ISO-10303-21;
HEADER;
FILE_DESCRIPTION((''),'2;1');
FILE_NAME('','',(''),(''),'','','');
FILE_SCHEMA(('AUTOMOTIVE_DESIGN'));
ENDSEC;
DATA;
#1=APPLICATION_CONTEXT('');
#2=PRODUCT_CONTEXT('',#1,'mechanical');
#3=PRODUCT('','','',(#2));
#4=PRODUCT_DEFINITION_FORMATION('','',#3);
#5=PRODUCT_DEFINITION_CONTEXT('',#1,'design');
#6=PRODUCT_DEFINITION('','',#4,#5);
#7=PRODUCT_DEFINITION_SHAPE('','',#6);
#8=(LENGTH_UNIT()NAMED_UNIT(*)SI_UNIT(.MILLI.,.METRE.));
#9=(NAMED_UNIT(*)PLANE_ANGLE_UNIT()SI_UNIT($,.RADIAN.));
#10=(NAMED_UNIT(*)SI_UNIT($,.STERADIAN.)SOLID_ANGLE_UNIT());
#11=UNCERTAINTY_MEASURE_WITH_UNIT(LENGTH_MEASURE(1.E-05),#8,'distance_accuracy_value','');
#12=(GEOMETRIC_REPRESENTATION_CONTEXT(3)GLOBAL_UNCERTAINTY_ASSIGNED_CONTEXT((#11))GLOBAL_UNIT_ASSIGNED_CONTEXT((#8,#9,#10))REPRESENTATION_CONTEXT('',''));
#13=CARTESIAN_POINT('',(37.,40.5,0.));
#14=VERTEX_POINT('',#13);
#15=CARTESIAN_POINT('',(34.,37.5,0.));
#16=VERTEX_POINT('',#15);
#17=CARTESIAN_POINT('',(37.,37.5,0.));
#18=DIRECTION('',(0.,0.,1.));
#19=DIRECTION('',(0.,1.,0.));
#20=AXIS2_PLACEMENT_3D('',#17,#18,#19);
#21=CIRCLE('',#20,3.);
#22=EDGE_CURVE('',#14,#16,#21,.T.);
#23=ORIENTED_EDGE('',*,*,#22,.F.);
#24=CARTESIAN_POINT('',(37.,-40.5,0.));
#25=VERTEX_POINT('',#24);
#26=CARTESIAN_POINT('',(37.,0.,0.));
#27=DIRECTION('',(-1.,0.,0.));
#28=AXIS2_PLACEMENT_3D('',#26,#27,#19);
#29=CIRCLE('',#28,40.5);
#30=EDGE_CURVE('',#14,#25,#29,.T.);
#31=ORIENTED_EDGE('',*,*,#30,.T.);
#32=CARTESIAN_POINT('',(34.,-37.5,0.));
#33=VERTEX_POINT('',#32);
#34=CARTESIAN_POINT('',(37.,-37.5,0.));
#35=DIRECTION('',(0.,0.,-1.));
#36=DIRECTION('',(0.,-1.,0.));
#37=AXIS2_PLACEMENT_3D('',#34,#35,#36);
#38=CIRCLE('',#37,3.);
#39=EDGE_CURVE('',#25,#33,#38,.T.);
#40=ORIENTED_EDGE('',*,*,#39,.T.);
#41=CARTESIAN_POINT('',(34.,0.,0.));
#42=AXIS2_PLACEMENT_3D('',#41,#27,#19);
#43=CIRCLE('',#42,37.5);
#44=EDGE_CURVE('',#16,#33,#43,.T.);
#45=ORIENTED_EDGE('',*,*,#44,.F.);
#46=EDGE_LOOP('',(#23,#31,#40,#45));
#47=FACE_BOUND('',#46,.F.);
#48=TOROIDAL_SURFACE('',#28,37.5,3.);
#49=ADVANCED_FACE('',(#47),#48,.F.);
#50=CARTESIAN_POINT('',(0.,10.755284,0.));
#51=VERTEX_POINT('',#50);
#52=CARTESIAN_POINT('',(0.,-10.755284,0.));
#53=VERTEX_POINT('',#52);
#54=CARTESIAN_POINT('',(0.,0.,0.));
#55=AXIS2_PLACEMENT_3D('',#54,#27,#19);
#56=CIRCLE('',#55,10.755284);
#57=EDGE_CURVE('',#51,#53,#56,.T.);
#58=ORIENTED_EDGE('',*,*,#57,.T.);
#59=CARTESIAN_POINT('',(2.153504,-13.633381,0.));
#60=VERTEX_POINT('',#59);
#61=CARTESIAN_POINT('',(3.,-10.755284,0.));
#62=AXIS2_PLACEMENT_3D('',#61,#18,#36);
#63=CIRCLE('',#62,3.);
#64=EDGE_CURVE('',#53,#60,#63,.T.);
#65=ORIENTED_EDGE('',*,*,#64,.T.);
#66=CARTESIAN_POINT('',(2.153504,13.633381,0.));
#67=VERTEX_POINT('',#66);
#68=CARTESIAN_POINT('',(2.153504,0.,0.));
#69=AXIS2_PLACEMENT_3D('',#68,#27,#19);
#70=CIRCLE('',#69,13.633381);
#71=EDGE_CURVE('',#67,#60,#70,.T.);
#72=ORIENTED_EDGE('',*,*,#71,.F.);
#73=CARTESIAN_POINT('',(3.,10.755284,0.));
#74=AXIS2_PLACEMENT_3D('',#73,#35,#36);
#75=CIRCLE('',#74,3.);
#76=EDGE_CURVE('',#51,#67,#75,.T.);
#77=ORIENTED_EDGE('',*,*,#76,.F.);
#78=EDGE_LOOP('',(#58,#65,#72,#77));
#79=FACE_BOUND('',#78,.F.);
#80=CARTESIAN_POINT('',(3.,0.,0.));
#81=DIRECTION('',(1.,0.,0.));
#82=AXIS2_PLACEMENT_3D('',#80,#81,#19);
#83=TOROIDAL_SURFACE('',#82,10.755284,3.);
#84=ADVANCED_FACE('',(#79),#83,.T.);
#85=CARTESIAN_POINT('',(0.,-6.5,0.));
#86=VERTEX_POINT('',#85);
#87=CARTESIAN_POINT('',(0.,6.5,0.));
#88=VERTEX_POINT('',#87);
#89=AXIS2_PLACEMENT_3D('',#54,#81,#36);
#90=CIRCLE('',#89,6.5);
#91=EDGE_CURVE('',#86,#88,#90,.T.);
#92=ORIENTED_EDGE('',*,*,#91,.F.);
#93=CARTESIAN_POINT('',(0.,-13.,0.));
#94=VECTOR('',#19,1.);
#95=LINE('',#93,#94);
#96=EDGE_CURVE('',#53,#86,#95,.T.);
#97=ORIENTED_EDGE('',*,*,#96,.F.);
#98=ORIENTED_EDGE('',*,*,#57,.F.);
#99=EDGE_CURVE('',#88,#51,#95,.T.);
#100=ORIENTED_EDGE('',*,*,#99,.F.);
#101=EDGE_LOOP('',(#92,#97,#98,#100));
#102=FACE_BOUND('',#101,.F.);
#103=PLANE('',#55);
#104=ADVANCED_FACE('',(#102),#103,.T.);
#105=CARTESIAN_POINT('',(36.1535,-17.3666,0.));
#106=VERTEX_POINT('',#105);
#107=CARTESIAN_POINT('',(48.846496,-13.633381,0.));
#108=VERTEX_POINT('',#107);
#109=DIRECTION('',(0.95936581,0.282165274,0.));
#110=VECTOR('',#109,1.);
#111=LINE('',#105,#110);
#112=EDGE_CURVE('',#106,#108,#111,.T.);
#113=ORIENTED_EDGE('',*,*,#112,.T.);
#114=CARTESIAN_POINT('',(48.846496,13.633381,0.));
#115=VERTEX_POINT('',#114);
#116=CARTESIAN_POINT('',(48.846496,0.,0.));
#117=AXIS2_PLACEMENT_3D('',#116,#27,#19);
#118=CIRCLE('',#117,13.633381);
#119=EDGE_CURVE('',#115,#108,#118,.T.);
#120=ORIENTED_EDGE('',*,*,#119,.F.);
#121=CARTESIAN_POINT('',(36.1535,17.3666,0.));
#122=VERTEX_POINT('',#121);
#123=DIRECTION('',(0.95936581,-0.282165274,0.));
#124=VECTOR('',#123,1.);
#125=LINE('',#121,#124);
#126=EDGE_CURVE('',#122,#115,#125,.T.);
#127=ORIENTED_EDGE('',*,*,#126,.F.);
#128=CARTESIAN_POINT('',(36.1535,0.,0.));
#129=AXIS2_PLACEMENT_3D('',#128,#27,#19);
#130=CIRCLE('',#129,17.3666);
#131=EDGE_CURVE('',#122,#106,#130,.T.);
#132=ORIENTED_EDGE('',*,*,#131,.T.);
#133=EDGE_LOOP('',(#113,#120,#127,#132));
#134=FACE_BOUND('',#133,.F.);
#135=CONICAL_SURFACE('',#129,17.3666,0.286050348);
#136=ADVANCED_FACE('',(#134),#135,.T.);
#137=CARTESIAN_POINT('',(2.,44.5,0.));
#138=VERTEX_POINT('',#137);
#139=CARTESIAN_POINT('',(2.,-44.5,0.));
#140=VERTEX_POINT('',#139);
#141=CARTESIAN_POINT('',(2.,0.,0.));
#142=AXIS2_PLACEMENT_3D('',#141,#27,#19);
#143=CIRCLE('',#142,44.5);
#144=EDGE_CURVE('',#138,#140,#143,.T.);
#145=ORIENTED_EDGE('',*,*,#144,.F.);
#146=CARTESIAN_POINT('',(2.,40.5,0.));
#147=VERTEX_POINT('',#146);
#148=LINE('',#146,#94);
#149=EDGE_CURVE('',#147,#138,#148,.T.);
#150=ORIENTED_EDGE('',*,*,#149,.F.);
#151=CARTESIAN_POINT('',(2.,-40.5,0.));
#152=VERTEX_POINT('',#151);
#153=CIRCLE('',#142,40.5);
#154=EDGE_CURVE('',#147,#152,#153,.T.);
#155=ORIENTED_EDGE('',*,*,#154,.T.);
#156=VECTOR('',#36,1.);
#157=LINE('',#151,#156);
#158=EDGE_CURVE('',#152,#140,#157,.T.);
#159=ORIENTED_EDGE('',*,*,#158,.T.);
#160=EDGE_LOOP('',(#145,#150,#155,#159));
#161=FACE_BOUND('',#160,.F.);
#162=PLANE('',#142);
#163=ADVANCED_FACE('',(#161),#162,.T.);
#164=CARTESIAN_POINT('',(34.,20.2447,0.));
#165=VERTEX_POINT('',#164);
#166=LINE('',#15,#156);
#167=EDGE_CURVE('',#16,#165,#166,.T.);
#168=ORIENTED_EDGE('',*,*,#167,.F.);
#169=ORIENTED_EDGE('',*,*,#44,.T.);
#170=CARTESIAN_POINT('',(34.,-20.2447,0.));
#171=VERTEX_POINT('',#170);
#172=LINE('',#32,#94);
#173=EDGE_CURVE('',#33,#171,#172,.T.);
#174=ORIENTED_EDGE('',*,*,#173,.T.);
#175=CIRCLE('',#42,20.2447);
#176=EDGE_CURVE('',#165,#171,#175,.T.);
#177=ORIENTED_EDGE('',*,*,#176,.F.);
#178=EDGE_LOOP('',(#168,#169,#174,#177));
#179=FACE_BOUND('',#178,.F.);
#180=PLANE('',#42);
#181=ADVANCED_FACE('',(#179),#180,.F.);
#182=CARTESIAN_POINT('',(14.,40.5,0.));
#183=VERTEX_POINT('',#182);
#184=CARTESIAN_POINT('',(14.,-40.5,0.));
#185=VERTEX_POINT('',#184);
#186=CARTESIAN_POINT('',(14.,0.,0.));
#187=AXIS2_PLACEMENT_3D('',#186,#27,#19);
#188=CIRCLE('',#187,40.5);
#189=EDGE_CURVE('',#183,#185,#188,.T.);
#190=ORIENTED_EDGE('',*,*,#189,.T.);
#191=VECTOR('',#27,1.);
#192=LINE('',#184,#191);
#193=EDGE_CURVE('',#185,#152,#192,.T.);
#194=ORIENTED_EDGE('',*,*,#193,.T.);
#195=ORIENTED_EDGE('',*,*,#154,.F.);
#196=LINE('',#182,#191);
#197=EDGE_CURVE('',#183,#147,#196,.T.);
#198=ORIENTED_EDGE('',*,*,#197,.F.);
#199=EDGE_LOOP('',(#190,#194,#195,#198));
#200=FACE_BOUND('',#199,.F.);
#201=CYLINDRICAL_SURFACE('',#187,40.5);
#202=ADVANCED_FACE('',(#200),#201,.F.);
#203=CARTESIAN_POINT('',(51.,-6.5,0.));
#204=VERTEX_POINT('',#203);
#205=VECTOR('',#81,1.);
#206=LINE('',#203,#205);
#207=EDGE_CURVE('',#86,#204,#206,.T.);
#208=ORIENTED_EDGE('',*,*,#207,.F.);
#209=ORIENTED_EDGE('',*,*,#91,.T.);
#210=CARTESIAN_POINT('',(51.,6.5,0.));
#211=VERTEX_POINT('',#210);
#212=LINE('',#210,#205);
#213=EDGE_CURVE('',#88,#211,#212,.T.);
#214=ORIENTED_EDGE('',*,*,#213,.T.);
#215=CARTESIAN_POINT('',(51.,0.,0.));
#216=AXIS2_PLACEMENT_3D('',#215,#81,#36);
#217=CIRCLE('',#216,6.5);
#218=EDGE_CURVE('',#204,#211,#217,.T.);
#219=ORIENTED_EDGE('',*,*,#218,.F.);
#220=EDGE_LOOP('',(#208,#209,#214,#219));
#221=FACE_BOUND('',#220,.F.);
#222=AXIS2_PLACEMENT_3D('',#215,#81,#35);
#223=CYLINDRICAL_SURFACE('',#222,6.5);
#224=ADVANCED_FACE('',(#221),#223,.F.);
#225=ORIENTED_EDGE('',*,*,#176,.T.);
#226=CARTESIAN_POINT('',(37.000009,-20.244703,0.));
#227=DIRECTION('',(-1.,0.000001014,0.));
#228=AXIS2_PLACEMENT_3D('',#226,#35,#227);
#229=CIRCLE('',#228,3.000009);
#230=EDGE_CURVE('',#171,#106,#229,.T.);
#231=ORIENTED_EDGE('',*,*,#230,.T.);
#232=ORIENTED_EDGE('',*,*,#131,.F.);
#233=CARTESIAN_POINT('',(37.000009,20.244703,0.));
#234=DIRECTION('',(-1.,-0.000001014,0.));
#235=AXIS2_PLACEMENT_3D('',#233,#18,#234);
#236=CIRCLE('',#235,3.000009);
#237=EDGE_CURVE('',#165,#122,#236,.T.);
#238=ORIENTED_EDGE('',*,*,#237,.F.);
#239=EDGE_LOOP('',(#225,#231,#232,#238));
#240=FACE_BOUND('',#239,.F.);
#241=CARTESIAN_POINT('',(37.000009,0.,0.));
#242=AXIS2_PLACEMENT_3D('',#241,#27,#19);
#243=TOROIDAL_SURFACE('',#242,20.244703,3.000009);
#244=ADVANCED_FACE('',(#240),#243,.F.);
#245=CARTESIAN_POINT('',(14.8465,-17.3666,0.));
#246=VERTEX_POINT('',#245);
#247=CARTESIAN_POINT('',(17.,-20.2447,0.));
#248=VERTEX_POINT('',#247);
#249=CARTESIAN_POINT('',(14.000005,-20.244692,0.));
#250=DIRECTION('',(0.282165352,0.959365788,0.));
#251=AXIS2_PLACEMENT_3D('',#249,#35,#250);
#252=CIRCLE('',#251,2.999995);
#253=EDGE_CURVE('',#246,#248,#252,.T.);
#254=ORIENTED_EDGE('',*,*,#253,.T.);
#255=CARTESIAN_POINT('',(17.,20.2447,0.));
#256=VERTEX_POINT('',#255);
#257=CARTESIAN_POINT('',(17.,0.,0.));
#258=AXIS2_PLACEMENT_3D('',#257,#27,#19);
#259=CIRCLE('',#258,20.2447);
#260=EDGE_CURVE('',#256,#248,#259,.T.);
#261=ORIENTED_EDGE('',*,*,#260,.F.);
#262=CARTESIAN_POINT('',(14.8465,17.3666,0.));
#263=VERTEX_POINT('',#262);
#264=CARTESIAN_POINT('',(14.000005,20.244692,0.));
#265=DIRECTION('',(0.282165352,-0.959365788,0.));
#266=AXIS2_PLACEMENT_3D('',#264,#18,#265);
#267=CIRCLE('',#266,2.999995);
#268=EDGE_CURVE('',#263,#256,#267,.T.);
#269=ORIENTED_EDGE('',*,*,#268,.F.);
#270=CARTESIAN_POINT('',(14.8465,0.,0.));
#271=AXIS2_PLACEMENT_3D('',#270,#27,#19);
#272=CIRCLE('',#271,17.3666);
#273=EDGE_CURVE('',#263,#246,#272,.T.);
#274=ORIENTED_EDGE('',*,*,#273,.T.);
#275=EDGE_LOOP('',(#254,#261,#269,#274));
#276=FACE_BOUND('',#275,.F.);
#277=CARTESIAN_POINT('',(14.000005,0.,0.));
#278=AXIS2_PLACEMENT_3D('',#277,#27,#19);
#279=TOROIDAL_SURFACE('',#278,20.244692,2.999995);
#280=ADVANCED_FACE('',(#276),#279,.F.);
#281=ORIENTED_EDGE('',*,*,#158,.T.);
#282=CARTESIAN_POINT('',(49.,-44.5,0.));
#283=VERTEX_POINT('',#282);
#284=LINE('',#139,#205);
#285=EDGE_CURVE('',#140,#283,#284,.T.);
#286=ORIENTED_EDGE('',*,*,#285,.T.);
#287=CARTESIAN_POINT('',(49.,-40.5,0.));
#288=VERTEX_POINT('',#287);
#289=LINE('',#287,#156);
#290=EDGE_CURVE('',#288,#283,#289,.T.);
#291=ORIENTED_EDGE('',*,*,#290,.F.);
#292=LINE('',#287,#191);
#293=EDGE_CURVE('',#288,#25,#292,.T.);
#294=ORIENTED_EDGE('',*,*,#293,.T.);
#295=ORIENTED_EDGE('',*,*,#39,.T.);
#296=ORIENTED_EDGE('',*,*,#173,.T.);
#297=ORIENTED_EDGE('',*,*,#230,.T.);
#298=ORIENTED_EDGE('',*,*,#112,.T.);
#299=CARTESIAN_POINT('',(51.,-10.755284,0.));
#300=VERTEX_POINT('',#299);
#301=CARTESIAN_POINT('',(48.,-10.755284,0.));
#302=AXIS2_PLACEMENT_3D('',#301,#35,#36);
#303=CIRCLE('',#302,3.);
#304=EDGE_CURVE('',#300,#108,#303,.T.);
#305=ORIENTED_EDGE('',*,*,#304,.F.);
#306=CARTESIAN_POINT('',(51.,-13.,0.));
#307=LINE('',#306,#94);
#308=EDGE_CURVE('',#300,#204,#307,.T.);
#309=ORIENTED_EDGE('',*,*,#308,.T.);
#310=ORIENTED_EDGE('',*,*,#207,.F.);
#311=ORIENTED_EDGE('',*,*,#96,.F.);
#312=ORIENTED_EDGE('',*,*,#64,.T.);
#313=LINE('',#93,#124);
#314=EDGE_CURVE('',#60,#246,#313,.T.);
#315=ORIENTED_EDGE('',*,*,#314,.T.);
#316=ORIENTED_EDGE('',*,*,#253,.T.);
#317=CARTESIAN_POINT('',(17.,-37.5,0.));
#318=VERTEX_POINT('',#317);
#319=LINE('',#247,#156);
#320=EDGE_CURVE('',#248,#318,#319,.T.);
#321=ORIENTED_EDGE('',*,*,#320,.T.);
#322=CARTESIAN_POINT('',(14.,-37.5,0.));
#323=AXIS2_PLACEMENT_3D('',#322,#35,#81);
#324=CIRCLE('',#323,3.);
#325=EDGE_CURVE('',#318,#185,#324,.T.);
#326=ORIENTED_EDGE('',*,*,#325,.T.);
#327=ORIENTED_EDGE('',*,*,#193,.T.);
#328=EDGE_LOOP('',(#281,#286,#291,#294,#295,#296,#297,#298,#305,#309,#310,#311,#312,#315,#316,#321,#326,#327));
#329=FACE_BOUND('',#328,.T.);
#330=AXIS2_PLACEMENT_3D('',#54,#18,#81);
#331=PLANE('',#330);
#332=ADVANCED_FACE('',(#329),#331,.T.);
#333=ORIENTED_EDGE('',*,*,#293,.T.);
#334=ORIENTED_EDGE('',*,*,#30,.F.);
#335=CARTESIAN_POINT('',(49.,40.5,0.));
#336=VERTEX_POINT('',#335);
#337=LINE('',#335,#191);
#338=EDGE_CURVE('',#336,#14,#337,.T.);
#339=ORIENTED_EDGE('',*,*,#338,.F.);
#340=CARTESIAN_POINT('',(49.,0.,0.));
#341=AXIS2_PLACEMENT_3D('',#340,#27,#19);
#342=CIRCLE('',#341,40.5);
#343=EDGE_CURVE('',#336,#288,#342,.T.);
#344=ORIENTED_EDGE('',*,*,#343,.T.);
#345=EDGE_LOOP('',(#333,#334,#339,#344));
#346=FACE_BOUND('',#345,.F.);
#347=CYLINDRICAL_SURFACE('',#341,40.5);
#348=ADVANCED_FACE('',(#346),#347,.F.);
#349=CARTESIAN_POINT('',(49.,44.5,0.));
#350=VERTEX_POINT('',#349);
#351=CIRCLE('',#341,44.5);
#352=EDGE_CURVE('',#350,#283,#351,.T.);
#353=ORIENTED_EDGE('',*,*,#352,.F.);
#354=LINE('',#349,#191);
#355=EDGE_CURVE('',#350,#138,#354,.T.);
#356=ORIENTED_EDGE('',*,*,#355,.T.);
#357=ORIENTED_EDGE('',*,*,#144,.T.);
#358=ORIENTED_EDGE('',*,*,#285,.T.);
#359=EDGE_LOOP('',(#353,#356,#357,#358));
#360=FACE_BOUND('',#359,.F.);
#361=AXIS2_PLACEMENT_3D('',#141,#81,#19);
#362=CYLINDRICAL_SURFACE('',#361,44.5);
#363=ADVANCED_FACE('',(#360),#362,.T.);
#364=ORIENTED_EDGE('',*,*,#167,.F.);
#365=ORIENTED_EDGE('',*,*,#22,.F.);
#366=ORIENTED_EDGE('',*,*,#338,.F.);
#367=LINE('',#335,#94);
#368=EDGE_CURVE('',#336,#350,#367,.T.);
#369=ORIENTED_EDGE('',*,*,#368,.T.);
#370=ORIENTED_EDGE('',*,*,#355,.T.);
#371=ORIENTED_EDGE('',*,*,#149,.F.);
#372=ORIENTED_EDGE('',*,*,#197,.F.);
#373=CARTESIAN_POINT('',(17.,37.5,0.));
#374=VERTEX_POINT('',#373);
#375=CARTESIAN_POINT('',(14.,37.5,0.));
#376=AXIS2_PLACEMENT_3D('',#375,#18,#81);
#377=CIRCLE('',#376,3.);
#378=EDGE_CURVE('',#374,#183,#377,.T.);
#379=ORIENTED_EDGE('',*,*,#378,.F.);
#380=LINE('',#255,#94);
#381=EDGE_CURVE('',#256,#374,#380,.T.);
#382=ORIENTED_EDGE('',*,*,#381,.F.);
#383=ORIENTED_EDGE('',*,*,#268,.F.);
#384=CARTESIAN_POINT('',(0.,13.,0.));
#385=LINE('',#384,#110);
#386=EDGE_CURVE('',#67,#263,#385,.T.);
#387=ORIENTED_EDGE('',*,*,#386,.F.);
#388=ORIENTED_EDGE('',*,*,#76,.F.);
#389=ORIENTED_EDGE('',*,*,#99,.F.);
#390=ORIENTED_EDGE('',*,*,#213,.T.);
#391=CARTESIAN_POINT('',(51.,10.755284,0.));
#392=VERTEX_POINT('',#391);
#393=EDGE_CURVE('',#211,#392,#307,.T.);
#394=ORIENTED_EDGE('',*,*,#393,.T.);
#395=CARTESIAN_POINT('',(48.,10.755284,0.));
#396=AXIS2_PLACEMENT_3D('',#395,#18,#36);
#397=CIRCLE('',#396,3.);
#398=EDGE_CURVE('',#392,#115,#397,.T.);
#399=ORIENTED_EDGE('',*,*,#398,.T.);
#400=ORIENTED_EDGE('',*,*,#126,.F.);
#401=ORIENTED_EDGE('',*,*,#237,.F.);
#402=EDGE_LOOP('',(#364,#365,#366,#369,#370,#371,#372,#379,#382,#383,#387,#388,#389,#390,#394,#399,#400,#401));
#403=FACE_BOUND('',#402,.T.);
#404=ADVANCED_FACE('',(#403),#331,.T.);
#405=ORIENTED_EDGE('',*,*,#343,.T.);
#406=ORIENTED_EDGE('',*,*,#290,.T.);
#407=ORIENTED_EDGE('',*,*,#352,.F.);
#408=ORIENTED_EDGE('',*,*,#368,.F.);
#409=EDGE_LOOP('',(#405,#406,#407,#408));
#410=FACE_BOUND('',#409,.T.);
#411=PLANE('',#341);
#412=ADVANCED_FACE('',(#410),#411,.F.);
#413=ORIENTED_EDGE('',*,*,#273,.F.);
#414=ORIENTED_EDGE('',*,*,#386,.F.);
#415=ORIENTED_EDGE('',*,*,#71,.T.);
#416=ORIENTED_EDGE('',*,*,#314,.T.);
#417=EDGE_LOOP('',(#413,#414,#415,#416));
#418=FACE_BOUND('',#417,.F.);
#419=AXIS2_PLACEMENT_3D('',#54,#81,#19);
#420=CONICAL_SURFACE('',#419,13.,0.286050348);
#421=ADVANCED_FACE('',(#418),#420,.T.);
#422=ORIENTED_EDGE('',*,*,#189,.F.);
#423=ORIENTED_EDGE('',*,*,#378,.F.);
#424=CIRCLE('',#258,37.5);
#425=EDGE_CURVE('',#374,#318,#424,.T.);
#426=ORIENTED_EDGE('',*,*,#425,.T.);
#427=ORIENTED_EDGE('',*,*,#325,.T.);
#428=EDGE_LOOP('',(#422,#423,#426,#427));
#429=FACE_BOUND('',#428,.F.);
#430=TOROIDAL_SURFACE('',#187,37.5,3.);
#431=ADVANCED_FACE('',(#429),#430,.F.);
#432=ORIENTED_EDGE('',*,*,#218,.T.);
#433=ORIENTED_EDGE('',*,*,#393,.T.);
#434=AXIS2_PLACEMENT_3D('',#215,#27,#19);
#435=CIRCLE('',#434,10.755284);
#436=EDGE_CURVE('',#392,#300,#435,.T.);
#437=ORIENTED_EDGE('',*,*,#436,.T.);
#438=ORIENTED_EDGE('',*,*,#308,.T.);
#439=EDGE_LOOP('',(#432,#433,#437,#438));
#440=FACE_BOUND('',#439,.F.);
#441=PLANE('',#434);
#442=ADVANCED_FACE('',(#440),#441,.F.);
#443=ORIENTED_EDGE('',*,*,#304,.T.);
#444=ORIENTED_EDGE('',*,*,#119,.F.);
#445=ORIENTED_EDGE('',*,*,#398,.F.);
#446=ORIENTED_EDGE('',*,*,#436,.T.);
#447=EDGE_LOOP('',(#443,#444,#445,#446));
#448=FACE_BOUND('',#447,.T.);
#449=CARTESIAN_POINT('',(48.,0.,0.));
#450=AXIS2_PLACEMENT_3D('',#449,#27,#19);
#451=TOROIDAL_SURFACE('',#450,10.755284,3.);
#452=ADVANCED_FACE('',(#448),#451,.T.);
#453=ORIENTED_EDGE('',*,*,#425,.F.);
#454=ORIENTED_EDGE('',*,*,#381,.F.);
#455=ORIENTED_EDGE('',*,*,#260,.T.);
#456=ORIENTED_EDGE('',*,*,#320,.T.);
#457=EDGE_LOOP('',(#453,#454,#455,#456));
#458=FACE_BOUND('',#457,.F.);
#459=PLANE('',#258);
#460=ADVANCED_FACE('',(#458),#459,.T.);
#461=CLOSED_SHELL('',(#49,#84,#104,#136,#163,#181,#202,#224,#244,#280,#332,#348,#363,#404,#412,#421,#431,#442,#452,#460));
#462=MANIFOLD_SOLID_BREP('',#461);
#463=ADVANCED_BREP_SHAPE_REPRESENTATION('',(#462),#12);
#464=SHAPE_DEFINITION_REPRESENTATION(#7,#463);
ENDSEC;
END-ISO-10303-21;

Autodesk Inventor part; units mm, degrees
ref_plane "YZ Plane" through (0, 0, 0) normal (1, 0, 0) x (0, 1, 0)
ref_plane "XZ Plane" through (0, 0, 0) normal (0, 1, 0) x (-1, 0, 0)
ref_plane "XY Plane" through (0, 0, 0) normal (0, 0, 1) x (1, 0, 0)
sketch "草圖1" plane through (0, 0, 0) normal (0, 0, 1) x (1, 0, 0)
  line L0 (0, 0) -> (0, 13)
  line L1 (0, 13) -> (14.8465, 17.3666)
  line L2 (17, 20.2447) -> (17, 37.5)
  line L3 (14, 40.5) -> (2, 40.5)
  line L4 (2, 44.5) -> (49, 44.5)
  line L5 (49, 40.5) -> (37, 40.5)
  line L6 (34, 37.5) -> (34, 20.2447)
  line L7 (36.1535, 17.3666) -> (51, 13)
  line L8 (51, 13) -> (51, 0)
  line L9 (51, 0) -> (0, 0)
  line L10 (2, 40.5) -> (2, 44.5)
  line L11 (49, 40.5) -> (49, 44.5)
  line L12 (25.5, 0) -> (25.5, 70.2145)
  arc A0 (14.8465, 17.3666) -> (17, 20.2447) centre (14, 20.2447) ccw
  arc A1 (34, 20.2447) -> (36.1535, 17.3666) centre (37, 20.2447) ccw
  arc A2 (17, 37.5) -> (14, 40.5) centre (14, 37.5) ccw
  arc A3 (37, 40.5) -> (34, 37.5) centre (37, 37.5) ccw
  point P0 (17, 18)
  point P1 (17, 40.5)
  point P2 (34, 40.5)
  point P3 (34, 18)
  dimension "d0" = 51
  dimension "d1" = 47
  dimension "d2" = 17
  dimension "d3" = 18
  dimension "d4" = 4
  dimension "d5" = 40.5
  dimension "d6" = 15
  dimension "d7" = 18
  dimension "d8" = 13
  dimension "d9" = 13
  dimension "d10" = 3
revolve "迴轉1" add sketch "草圖1" angle 180 about axis through (51, 0, 0) along (-1, 0, 0)
sketch "草圖2" plane through (51, 0, 0) normal (1, 0, 0) x (0, 0, -1)
  circle A0 centre (0, 0) radius 6.5
  dimension "d13" = 13
extrude "擠出1" cut sketch "草圖2" against normal up to next
fillet "圓角1" radius 3 2 edges at (51, 0, -13) (0, 0, -13)
properties part number "練習二"
